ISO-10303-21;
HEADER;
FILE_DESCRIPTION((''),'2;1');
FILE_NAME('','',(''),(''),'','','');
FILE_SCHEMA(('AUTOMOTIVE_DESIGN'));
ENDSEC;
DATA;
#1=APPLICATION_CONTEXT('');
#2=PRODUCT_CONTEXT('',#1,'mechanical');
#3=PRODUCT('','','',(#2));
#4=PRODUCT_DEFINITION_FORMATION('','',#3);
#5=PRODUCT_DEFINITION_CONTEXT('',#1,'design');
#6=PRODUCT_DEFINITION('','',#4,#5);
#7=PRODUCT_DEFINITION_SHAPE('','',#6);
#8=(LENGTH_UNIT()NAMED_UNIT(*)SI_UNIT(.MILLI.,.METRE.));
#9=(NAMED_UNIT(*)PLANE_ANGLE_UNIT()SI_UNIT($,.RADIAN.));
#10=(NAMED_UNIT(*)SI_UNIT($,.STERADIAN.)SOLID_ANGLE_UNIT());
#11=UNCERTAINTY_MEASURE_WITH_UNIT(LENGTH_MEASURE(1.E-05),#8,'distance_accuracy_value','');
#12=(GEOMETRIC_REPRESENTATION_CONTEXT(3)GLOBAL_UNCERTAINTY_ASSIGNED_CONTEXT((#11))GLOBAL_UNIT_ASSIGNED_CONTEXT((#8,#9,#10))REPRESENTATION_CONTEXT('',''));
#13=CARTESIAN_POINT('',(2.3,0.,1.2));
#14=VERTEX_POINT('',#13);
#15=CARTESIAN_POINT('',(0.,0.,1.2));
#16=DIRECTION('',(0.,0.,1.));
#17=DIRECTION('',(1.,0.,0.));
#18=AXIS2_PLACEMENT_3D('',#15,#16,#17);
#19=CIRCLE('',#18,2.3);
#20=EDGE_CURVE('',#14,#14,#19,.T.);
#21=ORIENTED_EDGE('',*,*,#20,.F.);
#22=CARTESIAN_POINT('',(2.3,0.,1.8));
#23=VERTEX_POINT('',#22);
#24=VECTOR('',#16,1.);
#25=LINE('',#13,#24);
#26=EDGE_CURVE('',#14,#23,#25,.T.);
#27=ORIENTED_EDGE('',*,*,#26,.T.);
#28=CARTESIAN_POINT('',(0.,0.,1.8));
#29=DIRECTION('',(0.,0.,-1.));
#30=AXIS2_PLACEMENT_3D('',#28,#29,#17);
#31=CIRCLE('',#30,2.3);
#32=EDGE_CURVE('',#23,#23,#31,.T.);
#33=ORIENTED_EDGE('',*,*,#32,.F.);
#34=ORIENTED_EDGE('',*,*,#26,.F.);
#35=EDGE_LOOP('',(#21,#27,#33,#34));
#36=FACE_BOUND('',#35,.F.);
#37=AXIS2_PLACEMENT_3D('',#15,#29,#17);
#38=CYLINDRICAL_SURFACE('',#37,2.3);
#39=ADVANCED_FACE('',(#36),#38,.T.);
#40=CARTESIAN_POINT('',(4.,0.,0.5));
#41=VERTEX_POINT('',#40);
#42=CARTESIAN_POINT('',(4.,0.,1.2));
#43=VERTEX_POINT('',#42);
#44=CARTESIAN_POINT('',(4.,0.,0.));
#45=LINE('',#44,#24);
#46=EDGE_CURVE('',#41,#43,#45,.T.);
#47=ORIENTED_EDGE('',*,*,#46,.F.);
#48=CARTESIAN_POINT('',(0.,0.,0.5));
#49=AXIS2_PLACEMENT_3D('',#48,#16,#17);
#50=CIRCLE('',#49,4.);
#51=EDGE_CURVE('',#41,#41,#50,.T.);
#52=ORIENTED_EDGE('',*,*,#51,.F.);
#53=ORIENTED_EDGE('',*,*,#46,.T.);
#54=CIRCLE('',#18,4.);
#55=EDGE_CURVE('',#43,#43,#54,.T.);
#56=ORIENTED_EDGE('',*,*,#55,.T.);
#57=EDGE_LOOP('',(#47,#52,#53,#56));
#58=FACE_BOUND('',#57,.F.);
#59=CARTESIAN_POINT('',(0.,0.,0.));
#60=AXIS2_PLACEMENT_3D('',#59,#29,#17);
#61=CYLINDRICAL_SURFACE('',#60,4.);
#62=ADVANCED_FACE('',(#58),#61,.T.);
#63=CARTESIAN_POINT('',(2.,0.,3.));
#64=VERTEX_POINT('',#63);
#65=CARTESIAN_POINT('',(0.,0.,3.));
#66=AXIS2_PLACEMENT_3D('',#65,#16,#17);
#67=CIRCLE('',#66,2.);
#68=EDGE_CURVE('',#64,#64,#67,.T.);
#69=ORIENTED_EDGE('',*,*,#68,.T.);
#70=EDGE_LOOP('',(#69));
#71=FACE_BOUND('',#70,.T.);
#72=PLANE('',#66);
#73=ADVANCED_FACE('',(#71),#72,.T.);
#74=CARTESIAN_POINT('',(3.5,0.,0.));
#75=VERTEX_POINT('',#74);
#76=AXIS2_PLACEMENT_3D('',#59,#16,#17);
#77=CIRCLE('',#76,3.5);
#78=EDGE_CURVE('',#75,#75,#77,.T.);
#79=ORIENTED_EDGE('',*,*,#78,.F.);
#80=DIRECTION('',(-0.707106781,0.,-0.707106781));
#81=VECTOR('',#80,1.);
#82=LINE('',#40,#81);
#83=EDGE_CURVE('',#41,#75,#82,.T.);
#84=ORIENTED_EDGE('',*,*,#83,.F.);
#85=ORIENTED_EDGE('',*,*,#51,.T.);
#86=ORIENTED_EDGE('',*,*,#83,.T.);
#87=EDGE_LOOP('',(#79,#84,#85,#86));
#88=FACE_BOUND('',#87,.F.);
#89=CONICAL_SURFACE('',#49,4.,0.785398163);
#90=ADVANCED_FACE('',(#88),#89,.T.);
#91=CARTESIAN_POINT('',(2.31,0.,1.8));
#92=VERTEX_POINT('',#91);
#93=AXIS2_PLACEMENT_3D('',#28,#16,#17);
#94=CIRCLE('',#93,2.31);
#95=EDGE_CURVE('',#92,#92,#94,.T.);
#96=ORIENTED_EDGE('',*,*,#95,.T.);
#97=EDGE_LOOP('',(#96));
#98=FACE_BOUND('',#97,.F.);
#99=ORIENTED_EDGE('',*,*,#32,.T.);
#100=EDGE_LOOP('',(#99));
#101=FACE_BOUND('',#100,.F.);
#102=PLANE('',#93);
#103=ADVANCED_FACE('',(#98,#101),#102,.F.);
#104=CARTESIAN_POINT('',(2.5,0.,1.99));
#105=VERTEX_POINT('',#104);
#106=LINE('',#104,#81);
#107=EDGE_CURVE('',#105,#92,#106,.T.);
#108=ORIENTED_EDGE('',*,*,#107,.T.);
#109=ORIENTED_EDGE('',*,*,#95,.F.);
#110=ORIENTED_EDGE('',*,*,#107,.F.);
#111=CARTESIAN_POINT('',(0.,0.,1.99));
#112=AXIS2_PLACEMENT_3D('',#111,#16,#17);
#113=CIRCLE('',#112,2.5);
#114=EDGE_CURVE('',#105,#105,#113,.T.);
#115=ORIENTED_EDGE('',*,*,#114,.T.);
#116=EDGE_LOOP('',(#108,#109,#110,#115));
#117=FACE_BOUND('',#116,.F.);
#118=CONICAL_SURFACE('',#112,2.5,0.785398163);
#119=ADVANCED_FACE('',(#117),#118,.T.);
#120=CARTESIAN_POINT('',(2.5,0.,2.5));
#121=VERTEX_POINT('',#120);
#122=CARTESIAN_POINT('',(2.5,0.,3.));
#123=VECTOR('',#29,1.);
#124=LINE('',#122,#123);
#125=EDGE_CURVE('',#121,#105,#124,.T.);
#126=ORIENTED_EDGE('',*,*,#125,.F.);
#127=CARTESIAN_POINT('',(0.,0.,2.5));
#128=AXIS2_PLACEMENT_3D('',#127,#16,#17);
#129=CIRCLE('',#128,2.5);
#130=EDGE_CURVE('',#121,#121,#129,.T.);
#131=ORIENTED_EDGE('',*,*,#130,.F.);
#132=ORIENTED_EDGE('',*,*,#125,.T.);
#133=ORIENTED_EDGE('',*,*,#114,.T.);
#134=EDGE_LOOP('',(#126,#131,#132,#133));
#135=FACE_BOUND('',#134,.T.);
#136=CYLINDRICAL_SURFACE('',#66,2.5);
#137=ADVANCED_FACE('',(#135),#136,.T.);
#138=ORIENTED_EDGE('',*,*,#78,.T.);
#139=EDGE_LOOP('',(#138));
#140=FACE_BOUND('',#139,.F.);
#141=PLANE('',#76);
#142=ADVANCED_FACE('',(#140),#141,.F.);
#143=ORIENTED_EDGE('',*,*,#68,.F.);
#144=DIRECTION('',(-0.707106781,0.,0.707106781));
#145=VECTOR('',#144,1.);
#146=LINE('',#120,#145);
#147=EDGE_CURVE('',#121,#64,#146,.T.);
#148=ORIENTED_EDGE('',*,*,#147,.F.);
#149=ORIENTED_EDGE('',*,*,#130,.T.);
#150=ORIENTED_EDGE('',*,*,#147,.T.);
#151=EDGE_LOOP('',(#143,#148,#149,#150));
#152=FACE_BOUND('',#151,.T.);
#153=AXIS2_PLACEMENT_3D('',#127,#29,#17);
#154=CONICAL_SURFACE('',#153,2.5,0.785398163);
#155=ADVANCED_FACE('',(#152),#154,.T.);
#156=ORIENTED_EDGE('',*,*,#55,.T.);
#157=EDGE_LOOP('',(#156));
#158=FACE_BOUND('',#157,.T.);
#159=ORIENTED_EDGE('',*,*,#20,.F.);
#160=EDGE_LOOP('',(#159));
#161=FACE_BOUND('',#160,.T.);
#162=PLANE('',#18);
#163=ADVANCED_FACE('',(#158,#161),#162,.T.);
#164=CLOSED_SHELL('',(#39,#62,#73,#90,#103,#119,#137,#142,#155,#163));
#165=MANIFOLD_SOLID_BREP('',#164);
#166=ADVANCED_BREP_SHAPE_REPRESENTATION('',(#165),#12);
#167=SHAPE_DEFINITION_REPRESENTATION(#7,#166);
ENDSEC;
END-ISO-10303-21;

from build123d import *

# Parameters (mm, degrees)
SKETCH_R        = 4
PAD_DEPTH       = 1.2
SKETCH001_R     = 2.3
PAD001_DEPTH    = 1.8
SKETCH002_R     = 2.5
PAD002_DEPTH    = 1.2
CHAMFER_SIZE    = 0.5
CHAMFER001_SIZE = 0.19


with BuildPart() as part:
    # Sketch → Pad (new body)
    with BuildSketch(Plane.XY):
        Circle(SKETCH_R)
    extrude(amount=PAD_DEPTH)

    # Sketch001 → Pad001 (join)
    with BuildSketch(Plane.XY.offset(1.2)):
        Circle(SKETCH001_R)
    extrude(amount=PAD001_DEPTH)

    # Sketch002 → Pad002 (join)
    with BuildSketch(Plane.XY.offset(3)):
        Circle(SKETCH002_R)
    extrude(amount=-PAD002_DEPTH)

    # Chamfer
    chamfer_edges = [part.edges().sort_by_distance(p)[0] for p in [
        (-2.5, 0, 3),
        (-4, 0, 0),
    ]]
    chamfer(chamfer_edges, length=CHAMFER_SIZE)

    # Chamfer001
    chamfer001_edges = [part.edges().sort_by_distance(p)[0] for p in [
        (-2.5, 0, 1.8),
    ]]
    chamfer(chamfer001_edges, length=CHAMFER001_SIZE)


solid = part.part
